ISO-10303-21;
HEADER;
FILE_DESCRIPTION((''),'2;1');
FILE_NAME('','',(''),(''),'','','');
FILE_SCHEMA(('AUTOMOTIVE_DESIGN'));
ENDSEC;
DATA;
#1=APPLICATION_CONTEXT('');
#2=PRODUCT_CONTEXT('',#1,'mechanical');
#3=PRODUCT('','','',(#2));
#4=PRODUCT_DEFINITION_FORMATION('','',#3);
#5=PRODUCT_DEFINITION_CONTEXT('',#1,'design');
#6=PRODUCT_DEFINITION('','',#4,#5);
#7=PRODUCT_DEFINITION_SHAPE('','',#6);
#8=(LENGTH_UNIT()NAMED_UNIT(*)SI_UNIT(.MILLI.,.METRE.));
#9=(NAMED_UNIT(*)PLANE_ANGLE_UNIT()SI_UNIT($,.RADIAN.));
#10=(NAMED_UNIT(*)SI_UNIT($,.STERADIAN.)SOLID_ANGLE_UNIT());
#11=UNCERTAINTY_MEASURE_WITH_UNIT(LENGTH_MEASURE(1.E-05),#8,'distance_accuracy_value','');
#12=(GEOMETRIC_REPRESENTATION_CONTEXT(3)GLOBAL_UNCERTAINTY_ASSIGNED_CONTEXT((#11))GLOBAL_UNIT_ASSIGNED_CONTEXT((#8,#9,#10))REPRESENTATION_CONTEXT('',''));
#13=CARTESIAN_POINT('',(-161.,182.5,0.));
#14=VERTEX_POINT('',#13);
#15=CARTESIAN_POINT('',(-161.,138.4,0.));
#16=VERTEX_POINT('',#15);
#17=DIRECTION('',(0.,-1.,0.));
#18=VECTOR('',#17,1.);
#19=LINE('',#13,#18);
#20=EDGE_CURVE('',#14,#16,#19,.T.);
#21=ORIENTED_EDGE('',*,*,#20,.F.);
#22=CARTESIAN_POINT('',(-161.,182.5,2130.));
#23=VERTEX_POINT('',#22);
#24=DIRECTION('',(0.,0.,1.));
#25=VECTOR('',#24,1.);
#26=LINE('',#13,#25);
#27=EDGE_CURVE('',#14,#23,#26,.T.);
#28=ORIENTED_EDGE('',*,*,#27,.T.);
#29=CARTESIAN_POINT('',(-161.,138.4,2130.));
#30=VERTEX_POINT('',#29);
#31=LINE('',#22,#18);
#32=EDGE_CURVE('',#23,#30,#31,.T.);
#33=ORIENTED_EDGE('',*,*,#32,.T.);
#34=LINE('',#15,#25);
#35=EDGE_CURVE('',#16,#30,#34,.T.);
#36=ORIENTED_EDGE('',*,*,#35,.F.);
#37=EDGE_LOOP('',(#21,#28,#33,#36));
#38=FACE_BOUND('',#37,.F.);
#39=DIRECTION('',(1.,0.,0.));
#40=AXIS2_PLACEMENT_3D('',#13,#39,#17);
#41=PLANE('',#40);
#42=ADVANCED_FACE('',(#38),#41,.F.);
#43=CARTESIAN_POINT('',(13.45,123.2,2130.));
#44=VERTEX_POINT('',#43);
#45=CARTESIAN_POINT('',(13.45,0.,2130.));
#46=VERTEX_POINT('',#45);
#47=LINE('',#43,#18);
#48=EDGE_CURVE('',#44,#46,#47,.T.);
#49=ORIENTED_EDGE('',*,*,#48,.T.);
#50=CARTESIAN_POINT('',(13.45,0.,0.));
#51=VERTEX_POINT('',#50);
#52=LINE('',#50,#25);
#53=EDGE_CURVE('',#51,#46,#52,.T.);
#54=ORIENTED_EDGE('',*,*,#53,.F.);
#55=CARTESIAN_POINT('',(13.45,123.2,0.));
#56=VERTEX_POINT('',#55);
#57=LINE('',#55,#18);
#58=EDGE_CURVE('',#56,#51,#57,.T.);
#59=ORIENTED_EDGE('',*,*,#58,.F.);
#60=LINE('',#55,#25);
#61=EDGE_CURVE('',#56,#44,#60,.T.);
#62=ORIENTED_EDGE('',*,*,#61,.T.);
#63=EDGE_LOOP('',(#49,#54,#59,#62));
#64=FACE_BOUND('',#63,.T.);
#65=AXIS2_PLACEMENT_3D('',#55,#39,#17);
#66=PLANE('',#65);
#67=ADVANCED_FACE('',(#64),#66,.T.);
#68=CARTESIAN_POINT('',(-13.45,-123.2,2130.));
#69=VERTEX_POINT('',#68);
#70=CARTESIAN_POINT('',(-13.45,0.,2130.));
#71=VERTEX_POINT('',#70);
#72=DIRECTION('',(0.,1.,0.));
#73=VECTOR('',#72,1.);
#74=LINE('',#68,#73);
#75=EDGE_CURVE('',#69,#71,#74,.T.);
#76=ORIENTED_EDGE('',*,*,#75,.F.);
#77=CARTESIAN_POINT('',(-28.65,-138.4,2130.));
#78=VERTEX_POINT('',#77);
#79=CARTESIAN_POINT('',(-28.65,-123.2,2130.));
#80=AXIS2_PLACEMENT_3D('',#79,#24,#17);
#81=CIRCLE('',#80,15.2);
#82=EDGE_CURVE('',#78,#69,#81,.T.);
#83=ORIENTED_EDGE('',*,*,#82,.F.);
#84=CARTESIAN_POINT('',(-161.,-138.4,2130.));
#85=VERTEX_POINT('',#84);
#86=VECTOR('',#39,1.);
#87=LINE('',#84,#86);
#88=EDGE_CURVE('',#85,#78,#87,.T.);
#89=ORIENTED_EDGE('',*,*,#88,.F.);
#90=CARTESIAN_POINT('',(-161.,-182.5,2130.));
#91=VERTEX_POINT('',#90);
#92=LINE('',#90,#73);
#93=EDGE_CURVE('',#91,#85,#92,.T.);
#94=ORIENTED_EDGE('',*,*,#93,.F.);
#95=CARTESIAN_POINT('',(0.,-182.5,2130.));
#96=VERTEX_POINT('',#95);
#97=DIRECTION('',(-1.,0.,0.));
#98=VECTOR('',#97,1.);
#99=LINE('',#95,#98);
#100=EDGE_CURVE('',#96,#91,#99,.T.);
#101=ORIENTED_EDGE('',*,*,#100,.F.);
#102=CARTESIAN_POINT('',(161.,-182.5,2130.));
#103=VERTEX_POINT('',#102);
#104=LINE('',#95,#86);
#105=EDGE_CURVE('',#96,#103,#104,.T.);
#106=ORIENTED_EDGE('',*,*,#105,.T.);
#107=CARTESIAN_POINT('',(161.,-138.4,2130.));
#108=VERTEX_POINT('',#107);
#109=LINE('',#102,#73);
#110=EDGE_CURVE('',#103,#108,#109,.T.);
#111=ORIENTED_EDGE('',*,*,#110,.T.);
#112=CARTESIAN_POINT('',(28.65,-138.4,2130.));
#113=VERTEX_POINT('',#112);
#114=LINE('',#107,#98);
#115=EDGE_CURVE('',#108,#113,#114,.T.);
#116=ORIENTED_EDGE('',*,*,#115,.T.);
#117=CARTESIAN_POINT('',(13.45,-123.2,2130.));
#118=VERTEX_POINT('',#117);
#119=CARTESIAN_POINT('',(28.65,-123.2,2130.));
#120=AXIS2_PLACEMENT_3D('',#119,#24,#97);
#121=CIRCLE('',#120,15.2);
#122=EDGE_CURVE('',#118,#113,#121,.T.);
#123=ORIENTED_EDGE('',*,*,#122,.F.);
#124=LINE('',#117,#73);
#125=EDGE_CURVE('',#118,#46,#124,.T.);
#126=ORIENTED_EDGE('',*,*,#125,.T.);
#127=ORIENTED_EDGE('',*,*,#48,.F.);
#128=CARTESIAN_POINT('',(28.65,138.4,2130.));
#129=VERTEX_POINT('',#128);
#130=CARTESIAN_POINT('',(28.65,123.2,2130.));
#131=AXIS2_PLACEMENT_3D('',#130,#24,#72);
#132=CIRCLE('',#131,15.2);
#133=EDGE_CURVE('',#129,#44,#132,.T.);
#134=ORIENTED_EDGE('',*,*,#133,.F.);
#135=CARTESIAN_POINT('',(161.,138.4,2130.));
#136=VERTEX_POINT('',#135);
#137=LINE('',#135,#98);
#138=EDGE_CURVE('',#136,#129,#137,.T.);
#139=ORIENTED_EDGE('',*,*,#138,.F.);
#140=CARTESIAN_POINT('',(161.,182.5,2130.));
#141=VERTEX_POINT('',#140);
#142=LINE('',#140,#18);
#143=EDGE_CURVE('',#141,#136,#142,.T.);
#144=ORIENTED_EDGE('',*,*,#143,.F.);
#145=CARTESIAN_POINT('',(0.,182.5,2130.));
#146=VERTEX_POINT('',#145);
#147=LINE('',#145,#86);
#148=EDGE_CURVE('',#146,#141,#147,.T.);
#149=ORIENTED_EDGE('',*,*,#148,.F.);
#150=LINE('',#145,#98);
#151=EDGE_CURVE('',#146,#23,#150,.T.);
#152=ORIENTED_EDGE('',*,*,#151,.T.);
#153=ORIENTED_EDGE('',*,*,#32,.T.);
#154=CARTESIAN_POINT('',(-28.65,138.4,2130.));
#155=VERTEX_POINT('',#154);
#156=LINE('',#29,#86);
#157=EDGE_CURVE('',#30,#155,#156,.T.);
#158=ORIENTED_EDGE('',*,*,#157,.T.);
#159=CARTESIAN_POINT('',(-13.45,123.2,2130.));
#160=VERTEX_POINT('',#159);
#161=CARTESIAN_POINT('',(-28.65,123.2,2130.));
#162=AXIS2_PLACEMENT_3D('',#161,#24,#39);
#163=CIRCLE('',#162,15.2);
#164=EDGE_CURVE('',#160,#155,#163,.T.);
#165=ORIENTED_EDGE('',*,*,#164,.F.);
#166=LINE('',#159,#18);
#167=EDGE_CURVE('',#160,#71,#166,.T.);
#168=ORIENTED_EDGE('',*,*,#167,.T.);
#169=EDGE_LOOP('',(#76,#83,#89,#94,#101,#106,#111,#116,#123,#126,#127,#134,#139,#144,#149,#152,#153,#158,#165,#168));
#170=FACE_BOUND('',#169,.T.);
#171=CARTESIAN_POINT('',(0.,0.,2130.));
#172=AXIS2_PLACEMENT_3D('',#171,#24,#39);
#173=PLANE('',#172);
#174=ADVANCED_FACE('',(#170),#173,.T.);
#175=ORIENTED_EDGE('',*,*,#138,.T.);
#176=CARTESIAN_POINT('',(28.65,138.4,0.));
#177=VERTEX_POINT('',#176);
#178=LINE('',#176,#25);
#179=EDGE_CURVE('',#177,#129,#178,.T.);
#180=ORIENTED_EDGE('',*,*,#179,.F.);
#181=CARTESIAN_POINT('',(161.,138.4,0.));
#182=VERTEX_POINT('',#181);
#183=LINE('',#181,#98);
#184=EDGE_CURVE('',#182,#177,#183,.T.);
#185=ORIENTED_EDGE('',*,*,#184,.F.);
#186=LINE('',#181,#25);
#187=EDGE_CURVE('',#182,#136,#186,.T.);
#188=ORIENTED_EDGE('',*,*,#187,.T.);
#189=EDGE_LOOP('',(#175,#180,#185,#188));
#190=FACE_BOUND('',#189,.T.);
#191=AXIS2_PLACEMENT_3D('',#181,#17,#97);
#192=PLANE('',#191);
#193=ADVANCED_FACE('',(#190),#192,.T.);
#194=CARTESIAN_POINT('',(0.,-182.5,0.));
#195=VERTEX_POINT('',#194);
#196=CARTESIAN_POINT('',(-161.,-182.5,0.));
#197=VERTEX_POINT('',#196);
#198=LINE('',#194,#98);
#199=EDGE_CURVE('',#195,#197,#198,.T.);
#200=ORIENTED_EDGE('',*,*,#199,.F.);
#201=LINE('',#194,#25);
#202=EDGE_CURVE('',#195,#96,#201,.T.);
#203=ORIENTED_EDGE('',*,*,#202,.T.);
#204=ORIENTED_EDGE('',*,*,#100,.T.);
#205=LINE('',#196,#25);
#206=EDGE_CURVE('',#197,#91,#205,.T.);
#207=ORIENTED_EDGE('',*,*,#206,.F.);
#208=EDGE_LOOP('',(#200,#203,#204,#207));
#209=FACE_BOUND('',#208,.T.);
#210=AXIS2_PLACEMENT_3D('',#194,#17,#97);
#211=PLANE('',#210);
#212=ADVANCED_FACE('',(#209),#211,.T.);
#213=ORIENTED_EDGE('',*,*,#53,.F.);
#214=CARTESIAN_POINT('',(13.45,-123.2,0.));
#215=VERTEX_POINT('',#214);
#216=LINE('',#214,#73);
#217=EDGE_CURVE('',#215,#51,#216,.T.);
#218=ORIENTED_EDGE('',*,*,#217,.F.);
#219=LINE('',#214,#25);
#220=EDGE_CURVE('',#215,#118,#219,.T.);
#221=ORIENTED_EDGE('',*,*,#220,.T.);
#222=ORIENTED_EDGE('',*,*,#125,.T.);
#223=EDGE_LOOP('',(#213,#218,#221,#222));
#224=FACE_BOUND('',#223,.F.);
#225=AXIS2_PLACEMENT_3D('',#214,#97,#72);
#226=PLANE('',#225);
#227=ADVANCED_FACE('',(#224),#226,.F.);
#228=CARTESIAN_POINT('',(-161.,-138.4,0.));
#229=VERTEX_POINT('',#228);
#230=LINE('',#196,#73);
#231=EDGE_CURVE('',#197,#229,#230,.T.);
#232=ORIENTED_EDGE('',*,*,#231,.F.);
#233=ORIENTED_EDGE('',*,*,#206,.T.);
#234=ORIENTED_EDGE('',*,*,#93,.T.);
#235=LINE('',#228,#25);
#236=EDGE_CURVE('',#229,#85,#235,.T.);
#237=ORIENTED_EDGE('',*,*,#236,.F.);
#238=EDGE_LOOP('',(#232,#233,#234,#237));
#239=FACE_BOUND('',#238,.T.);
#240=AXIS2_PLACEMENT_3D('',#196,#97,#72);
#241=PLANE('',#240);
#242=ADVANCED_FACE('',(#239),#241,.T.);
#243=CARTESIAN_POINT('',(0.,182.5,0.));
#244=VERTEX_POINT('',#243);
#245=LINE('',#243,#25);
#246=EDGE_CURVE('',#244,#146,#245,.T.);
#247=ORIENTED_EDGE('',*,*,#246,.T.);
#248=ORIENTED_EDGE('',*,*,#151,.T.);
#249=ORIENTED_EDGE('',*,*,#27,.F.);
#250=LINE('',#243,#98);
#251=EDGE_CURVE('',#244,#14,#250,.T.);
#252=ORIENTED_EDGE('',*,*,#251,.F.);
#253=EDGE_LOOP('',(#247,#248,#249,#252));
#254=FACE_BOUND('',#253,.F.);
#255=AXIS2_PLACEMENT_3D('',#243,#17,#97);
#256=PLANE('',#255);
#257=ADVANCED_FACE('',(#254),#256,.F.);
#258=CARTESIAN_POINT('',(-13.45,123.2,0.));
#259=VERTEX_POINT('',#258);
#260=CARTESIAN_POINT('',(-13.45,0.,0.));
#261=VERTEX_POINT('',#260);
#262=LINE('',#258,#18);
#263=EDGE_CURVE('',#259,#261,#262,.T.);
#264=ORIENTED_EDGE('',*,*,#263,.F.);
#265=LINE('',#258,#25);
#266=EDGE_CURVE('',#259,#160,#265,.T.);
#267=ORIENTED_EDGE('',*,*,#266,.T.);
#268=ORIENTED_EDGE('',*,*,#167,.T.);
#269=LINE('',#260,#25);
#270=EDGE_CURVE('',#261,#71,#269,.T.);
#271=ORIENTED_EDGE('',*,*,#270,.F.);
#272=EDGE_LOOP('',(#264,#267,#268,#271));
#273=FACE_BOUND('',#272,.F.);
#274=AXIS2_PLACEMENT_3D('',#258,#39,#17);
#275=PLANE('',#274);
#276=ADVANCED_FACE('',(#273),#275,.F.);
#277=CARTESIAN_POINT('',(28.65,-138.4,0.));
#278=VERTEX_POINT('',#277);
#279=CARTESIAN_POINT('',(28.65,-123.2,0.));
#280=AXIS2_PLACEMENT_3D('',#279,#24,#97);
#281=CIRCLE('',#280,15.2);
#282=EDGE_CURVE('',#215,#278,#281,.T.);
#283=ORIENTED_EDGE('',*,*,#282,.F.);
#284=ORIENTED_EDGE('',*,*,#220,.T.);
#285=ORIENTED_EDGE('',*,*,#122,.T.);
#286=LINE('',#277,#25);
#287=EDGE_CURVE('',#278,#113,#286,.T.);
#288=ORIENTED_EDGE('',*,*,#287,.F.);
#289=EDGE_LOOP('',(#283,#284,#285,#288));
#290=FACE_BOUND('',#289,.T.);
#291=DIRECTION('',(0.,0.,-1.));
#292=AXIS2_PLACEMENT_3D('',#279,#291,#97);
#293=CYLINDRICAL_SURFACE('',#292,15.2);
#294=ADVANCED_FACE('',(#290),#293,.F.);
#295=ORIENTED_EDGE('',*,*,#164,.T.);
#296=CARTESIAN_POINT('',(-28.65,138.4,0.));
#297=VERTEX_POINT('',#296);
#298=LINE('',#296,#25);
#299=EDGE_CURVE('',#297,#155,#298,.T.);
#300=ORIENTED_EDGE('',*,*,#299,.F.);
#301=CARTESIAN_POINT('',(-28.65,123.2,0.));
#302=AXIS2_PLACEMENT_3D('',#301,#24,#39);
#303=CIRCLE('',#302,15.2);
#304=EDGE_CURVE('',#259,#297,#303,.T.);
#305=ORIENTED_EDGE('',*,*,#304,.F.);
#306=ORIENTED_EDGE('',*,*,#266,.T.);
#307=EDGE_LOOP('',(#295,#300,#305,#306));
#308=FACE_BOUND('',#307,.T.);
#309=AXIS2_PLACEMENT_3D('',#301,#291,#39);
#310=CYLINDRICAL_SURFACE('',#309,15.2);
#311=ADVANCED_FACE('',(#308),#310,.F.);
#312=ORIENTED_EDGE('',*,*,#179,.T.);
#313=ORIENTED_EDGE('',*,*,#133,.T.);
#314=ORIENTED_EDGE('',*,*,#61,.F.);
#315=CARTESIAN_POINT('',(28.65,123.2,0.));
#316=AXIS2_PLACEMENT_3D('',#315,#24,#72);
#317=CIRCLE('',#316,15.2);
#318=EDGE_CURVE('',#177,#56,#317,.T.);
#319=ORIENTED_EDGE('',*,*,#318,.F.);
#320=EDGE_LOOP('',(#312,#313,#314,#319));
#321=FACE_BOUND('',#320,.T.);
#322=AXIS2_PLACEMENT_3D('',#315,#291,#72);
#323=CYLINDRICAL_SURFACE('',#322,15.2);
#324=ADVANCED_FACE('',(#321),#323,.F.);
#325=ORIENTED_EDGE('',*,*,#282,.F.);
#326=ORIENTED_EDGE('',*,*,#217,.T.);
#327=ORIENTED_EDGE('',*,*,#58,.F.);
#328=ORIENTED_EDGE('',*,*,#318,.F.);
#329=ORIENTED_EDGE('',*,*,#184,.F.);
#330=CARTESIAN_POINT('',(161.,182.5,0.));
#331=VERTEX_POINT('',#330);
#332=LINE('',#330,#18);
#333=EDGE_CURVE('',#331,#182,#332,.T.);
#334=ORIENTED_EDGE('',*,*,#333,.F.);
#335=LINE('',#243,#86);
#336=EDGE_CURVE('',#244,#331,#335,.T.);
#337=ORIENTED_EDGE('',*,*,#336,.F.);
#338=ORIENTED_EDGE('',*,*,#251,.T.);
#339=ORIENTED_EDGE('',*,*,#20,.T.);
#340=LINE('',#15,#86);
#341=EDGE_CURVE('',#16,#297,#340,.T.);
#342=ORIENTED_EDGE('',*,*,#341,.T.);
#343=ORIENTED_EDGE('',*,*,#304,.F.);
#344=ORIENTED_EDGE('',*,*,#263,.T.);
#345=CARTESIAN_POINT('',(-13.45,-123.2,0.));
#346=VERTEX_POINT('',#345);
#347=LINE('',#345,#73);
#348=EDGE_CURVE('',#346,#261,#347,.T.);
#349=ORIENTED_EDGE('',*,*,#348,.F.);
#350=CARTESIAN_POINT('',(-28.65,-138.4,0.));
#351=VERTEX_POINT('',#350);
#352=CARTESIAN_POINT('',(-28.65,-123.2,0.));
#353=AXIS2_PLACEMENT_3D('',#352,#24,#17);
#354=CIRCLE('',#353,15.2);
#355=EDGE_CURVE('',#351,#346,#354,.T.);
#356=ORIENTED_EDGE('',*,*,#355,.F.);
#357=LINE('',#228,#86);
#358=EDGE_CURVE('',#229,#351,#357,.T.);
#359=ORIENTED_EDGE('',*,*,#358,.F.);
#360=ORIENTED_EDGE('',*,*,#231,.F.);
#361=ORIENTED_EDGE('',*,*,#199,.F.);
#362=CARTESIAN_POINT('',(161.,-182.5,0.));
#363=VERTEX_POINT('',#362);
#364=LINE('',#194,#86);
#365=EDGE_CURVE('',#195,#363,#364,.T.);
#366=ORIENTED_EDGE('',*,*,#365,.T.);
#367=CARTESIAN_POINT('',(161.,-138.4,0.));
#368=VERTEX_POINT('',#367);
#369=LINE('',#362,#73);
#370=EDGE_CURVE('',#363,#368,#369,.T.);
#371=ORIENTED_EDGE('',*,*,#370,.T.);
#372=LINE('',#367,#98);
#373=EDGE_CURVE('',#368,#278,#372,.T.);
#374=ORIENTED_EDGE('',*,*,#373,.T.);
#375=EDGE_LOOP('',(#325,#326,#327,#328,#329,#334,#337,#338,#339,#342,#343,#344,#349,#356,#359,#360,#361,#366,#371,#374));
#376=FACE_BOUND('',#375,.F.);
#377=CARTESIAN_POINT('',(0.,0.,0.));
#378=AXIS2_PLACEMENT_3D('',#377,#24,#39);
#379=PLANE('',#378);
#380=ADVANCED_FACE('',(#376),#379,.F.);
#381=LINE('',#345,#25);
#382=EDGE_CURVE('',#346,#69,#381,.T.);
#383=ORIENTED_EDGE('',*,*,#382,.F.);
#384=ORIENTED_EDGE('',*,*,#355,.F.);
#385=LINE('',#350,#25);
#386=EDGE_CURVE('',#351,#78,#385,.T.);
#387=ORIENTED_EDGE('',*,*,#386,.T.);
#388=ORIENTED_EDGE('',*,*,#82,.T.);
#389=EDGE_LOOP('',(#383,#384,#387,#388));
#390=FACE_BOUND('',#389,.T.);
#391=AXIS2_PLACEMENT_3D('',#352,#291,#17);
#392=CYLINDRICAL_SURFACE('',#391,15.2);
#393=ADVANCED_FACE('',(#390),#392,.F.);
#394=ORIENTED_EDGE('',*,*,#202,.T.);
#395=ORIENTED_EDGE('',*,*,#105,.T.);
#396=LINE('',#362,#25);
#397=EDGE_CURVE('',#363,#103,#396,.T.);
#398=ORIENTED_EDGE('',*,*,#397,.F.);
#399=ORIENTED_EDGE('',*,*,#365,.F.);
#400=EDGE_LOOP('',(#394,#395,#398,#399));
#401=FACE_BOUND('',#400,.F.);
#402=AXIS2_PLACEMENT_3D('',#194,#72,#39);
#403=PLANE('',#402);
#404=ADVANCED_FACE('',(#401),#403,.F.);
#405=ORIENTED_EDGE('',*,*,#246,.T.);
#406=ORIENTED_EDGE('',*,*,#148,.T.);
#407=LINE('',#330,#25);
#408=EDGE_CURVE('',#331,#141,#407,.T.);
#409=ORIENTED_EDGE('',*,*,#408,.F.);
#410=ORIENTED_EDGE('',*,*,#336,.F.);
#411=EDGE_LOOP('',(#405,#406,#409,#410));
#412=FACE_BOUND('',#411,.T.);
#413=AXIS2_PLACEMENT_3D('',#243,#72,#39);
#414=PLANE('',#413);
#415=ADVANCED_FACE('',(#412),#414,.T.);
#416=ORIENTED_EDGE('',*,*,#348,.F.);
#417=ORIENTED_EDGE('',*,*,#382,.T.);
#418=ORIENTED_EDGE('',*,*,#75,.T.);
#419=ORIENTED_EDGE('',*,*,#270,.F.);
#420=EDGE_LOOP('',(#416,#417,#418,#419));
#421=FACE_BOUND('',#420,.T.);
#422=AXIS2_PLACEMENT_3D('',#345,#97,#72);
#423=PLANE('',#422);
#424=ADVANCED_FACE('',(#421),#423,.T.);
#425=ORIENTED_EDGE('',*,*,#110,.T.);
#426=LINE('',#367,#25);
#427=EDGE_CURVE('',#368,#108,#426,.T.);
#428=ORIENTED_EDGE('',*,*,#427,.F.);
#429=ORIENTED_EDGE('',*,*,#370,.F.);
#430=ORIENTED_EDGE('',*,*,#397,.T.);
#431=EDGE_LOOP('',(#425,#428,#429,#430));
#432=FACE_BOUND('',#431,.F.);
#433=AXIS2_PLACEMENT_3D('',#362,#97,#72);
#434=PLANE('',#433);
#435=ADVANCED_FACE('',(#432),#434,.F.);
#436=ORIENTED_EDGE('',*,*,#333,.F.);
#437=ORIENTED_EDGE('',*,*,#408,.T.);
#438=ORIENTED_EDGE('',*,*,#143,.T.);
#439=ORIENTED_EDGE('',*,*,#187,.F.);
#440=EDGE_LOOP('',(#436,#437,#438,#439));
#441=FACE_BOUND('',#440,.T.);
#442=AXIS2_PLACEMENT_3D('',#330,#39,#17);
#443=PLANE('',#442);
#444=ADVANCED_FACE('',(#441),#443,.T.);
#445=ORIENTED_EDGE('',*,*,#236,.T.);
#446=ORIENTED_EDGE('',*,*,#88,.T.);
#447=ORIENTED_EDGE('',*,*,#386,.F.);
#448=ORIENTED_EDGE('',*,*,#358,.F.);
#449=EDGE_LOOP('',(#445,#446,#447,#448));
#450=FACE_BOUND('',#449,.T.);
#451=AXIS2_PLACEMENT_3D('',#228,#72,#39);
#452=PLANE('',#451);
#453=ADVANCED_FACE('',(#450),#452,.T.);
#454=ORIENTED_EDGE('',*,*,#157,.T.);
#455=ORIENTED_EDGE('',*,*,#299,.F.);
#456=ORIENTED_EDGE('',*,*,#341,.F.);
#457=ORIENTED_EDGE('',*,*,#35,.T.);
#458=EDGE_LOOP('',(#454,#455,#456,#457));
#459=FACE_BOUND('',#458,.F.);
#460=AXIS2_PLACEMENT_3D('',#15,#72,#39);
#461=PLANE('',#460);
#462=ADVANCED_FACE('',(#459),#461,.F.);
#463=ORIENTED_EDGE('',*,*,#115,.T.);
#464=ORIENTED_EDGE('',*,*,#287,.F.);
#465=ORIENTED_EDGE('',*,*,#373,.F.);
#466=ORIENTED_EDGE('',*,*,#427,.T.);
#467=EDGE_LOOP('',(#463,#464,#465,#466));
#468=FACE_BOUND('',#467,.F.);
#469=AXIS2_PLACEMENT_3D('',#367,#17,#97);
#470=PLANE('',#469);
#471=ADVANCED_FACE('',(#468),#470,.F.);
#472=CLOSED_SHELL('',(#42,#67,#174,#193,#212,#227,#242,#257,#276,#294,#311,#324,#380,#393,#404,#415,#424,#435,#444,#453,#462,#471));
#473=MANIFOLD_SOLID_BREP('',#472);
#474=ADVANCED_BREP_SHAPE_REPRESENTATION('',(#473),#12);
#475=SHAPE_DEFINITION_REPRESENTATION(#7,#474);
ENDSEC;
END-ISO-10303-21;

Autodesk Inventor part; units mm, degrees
ref_plane "YZ Plane" through (0, 0, 0) normal (1, 0, 0) x (0, 1, 0)
ref_plane "Start plane" through (0, 0, 0) normal (0, 0, 1) x (1, 0, 0)
ref_plane "End plane" through (0, 0, 2130) normal (0, 0, 1) x (1, 0, 0)
sketch "Sketch" plane through (0, 0, 0) normal (0, 0, 1) x (1, 0, 0)
  line L0 (-161, -182.5) -> (-161, -138.4)
  line L1 (-161, -138.4) -> (-28.65, -138.4)
  line L2 (-13.45, -123.2) -> (-13.45, 0)
  line L3 (-13.45, 0) -> (0, 0) construction
  line L4 (0, 0) -> (0, -182.5) construction
  line L5 (0, -182.5) -> (-161, -182.5)
  line L6 (-60, 0) -> (80, 0) construction
  line L7 (0, -60) -> (0, 80) construction
  line L8 (161, -182.5) -> (161, -138.4)
  line L9 (161, -138.4) -> (28.65, -138.4)
  line L10 (13.45, -123.2) -> (13.45, 0)
  line L11 (13.45, 0) -> (0, 0) construction
  line L12 (0, -182.5) -> (161, -182.5)
  line L13 (-161, 182.5) -> (-161, 138.4)
  line L14 (-161, 138.4) -> (-28.65, 138.4)
  line L15 (-13.45, 123.2) -> (-13.45, 0)
  line L16 (0, 182.5) -> (-161, 182.5)
  line L17 (161, 182.5) -> (161, 138.4)
  line L18 (161, 138.4) -> (28.65, 138.4)
  line L19 (0, 182.5) -> (161, 182.5)
  line L20 (13.45, 123.2) -> (13.45, 0)
  arc A0 (-13.45, 123.2) -> (-28.65, 138.4) centre (-28.65, 123.2) ccw
  arc A1 (28.65, 138.4) -> (13.45, 123.2) centre (28.65, 123.2) ccw
  arc A2 (13.45, -123.2) -> (28.65, -138.4) centre (28.65, -123.2) ccw
  arc A3 (-28.65, -138.4) -> (-13.45, -123.2) centre (-28.65, -123.2) ccw
  line L21 (0, 108) -> (0, -88) construction
  line L22 (-88, 0) -> (108, 0) construction
  point P0 (-13.45, -138.4)
  point P1 (13.45, -138.4)
  point P2 (-13.45, 138.4)
  point P3 (13.45, 138.4)
  dimension "d1" = 182.5
  dimension "d2" = 44.1
  dimension "d3" = 161
  dimension "d4" = 13.45
  dimension "d10" = 15.2
extrude "Body" add sketch "Sketch" along normal up to surface (2130 mm away) from surface at 0
sketch "Sketch4" plane through (0, 0, 0) normal (0, 0, 1) x (1, 0, 0)
  line L0 (0, 0) -> (10, 0)
ref_plane "Work Plane3" through (0, 0, 0) normal (0, -1, 0) x (1, 0, 0)
sketch "Sketch5" plane through (0, 0, 0) normal (0, -1, 0) x (1, 0, 0)
  line L0 (-2, 0) -> (12, 0) projected
  line L1 (-2, 2130) -> (12, 2130) projected
  dimension "d14" = 2130
equation "\"d1\" = 0.5 * G_H"
equation "\"d2\" = G_T1"
equation "\"d3\" = 0.5 * G_W"
equation "\"d4\" = 0.5 * G_T"
equation "\"d10\" = G_IR"
equation "\"d5\" = G_L"
equation "\"G_W\" = 322"
equation "\"G_H\" = 365"
equation "\"G_T\" = 26.9"
equation "\"G_T1\" = 44.1"
equation "\"G_IR\" = 15.2"
equation "\"G_L\" = d14"
equation "\"G_OFFSET_START\" = 0"
equation "\"G_OFFSET_END\" = 0"
properties part number "AS 3679 - 310 UC - 283 - 2130" material "Steel, Mild"
